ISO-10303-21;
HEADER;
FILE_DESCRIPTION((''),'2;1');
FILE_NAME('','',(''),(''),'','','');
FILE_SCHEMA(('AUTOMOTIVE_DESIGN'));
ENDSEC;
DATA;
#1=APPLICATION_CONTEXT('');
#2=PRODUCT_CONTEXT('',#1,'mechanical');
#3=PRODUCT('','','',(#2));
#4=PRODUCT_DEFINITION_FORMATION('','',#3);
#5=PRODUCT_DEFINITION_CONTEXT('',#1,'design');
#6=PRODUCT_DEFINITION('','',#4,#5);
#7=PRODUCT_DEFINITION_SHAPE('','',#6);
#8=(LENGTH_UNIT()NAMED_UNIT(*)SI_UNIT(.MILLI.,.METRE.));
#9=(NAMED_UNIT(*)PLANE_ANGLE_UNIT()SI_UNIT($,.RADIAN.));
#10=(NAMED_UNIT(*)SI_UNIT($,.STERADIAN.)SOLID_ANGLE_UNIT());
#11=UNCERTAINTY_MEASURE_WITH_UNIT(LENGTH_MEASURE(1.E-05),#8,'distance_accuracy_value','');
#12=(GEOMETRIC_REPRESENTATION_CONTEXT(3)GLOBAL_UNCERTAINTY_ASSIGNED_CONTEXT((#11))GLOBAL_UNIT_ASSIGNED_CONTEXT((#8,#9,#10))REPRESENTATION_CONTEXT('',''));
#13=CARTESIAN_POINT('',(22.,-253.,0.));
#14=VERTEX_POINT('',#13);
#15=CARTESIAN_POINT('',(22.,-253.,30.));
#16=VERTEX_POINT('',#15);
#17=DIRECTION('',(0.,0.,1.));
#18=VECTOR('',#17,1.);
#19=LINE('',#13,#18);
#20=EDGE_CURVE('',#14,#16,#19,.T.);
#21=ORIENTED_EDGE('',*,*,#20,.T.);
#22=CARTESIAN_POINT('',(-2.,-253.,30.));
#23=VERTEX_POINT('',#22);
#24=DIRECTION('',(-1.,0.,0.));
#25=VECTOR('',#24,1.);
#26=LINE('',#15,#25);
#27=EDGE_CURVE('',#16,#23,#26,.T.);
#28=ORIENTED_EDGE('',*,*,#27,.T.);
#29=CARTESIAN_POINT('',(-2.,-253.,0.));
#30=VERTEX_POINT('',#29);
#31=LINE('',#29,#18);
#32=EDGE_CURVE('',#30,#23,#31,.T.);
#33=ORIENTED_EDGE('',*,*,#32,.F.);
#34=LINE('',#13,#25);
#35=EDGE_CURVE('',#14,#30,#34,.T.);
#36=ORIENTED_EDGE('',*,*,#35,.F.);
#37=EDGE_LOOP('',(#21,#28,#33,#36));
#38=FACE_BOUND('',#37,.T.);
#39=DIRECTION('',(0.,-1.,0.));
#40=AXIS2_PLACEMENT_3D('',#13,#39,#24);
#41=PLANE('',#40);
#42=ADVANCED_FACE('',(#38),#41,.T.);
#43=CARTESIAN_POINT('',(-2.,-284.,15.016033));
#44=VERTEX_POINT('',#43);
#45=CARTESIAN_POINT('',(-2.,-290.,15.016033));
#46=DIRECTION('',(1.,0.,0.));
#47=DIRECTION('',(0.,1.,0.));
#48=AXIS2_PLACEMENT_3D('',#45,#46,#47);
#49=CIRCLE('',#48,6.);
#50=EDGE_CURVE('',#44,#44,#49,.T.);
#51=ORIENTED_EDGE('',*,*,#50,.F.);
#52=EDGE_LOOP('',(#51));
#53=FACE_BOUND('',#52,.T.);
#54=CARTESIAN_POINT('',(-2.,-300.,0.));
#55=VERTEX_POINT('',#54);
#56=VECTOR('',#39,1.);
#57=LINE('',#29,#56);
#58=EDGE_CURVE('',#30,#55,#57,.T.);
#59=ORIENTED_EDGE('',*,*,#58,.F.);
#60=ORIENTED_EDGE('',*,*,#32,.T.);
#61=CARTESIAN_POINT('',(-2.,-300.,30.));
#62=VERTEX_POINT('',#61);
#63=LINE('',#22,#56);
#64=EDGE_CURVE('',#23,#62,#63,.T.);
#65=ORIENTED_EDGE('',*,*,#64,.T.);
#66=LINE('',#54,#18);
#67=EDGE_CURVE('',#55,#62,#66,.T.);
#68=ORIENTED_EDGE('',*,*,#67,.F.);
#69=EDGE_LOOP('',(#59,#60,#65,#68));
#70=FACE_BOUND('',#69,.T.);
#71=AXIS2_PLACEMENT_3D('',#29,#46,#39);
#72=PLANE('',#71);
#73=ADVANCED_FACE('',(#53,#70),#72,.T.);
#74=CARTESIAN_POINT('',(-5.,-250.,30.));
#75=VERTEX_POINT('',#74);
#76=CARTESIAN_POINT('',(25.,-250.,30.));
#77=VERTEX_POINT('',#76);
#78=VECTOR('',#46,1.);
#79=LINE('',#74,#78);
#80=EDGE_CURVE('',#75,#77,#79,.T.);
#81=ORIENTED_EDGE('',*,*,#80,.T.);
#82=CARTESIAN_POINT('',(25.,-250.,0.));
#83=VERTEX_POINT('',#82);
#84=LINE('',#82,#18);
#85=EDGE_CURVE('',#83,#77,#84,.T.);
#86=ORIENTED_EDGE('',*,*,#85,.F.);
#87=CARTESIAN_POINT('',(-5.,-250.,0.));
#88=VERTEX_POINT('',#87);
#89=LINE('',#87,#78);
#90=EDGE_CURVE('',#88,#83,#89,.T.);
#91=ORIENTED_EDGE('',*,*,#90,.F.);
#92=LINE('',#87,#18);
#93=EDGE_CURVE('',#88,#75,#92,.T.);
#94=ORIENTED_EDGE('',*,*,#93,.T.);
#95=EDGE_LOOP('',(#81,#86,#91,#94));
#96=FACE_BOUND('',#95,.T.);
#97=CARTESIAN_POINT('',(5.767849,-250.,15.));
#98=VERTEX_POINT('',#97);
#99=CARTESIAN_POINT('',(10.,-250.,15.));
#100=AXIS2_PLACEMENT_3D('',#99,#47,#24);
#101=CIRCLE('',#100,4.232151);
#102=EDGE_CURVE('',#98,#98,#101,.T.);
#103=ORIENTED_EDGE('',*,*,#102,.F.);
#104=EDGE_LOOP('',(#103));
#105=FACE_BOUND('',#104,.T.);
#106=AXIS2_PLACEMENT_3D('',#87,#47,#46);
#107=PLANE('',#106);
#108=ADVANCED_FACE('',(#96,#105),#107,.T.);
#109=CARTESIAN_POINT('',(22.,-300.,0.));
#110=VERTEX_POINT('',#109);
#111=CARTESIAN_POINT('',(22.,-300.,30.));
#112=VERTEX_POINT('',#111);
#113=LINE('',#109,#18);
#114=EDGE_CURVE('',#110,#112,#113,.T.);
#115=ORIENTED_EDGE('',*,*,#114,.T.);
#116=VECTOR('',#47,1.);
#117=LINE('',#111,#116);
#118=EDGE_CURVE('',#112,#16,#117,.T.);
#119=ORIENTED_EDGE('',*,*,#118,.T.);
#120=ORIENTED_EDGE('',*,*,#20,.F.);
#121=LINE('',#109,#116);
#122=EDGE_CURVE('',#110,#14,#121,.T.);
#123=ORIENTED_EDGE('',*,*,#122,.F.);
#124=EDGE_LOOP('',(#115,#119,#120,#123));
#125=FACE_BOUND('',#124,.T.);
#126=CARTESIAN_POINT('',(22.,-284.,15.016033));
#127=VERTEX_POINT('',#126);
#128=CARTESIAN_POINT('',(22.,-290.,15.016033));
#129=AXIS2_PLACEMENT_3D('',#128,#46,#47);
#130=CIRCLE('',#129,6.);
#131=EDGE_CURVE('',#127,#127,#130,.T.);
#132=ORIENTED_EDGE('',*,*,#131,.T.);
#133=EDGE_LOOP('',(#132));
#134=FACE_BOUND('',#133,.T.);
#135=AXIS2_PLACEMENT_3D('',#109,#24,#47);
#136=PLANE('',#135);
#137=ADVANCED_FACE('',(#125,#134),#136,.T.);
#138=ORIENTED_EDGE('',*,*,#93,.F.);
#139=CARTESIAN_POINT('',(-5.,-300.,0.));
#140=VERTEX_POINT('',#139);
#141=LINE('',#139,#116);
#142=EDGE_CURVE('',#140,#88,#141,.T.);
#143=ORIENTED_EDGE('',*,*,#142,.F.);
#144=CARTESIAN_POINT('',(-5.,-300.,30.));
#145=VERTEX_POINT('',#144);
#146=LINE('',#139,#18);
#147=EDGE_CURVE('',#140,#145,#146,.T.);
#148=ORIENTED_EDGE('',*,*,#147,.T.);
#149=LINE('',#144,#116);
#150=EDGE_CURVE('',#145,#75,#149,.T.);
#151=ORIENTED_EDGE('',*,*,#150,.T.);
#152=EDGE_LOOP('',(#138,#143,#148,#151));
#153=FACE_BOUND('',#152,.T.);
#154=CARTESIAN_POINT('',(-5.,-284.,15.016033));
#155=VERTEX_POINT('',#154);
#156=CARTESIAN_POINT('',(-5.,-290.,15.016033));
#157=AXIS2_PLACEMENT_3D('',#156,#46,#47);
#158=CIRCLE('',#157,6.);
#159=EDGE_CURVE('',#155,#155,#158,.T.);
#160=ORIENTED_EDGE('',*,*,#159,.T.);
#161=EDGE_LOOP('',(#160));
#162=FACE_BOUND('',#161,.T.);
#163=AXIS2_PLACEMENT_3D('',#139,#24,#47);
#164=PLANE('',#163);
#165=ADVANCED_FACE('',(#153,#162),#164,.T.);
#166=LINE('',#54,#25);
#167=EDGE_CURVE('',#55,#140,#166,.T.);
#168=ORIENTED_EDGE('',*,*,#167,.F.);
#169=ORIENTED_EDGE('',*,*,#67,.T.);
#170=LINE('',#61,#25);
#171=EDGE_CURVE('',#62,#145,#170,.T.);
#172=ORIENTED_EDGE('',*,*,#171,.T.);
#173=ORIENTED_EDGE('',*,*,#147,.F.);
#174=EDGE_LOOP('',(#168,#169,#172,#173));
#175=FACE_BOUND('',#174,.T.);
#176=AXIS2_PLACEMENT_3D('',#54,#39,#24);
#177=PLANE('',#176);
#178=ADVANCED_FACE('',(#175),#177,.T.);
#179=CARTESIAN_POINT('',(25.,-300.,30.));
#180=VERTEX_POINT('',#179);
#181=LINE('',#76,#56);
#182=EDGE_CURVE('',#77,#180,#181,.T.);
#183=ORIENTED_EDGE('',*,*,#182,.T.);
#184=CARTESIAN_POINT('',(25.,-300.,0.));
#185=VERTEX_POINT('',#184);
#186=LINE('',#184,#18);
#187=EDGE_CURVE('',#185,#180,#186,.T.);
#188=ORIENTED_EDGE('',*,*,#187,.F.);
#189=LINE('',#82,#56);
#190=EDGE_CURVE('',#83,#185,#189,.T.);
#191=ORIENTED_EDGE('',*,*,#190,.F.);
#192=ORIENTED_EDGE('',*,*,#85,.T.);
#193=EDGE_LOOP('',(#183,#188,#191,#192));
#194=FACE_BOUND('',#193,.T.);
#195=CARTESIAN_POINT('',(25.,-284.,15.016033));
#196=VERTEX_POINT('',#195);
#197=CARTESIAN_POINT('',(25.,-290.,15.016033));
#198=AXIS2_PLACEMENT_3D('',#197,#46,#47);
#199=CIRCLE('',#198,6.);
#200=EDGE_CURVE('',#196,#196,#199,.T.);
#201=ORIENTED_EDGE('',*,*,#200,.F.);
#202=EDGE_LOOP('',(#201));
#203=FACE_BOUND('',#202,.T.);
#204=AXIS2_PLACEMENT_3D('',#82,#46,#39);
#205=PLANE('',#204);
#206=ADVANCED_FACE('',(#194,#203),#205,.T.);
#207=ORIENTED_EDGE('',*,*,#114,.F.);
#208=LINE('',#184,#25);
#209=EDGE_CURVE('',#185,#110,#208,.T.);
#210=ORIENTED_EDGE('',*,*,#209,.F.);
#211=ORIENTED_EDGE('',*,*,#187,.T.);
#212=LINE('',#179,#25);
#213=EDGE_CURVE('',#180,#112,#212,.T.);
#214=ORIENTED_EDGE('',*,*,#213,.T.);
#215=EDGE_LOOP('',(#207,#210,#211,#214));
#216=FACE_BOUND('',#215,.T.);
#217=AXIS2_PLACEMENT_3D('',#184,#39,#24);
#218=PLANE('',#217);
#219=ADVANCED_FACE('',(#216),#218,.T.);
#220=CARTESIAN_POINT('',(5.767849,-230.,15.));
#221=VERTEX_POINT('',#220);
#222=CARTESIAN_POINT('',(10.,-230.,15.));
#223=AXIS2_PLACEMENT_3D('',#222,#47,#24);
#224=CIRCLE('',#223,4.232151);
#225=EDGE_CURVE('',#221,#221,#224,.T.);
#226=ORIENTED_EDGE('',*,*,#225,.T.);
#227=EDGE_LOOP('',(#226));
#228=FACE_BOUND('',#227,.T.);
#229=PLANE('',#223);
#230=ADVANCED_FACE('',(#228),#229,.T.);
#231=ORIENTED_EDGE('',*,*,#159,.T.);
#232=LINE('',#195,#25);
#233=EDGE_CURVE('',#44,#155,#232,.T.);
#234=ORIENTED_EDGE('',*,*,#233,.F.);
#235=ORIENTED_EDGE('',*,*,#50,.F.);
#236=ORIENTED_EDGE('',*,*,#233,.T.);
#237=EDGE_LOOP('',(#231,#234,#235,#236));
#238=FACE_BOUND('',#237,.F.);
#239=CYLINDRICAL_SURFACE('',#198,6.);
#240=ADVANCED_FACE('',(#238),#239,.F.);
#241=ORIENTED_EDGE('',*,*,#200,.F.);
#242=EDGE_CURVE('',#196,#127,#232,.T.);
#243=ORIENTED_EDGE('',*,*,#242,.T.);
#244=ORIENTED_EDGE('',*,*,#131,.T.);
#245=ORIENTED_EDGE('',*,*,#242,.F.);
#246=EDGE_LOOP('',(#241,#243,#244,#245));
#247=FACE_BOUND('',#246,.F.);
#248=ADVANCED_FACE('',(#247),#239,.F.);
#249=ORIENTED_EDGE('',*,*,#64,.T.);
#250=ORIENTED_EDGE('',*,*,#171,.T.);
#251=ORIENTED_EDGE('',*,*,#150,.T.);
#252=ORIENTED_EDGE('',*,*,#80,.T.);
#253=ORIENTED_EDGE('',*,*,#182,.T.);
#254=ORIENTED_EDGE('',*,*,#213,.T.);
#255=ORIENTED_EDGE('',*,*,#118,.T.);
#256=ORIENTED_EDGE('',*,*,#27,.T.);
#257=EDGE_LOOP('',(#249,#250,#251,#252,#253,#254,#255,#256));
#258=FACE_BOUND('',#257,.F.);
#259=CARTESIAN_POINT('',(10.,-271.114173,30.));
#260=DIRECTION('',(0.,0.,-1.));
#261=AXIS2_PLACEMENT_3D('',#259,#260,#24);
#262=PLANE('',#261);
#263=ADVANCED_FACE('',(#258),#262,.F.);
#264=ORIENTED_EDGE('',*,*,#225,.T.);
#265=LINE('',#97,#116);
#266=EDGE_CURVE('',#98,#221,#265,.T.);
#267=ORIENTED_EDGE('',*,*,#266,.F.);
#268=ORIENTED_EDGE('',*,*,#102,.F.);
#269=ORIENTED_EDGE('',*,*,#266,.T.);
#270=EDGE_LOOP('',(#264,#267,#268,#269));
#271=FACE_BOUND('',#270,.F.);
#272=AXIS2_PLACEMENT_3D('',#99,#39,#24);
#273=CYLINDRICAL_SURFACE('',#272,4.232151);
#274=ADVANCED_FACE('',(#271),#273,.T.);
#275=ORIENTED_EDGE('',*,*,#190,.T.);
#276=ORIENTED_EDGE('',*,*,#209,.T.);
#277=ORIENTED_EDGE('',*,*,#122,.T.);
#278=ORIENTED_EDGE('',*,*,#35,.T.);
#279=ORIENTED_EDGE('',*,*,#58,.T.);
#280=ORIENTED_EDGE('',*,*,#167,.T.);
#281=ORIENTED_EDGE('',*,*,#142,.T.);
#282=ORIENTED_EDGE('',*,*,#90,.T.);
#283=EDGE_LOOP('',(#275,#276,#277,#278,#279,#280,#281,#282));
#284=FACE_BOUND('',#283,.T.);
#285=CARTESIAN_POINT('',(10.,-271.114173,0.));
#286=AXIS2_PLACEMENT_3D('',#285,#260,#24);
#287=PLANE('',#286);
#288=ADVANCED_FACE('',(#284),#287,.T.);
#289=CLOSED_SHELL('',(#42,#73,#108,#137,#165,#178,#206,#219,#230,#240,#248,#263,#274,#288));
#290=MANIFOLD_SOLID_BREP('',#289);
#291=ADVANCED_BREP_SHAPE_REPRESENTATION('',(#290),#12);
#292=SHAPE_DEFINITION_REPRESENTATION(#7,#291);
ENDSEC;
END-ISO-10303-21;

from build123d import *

# Parameters (mm, degrees)
PAD003_DEPTH = 30
SKETCH005_R  = 6
POCKET_DEPTH = 30.001
SKETCH006_R  = 4.232151
PAD004_DEPTH = 20


with BuildPart() as part:
    # Sketch004 → Pad003 (new body)
    with BuildSketch(Plane.XY):
        Polygon((-12, 0), (-15, 0), (-15, 50), (15, 50), (15, 0), (12, 0), (12, 47), (-12, 47), align=None)
    extrude(amount=PAD003_DEPTH)

    # Sketch005 (on DatumPlane) → Pocket (cut, through all)
    with BuildSketch(Plane.YZ.offset(15)):
        with Locations((10, 15.016033)):
            Circle(SKETCH005_R)
    extrude(amount=-POCKET_DEPTH, mode=Mode.SUBTRACT)

    # Sketch006 (on DatumPlane) → Pad004 (join)
    with BuildSketch(Plane(origin=(0, 50, 0), x_dir=(-1, 0, 0), z_dir=(0, 1, 0))):
        with Locations((0, 15)):
            Circle(SKETCH006_R)
    extrude(amount=PAD004_DEPTH)


with BuildPart() as part_1:
    # Body009 placement: moved
    add(part.part.moved(Location((10, -300, 0))))


solid = part_1.part
